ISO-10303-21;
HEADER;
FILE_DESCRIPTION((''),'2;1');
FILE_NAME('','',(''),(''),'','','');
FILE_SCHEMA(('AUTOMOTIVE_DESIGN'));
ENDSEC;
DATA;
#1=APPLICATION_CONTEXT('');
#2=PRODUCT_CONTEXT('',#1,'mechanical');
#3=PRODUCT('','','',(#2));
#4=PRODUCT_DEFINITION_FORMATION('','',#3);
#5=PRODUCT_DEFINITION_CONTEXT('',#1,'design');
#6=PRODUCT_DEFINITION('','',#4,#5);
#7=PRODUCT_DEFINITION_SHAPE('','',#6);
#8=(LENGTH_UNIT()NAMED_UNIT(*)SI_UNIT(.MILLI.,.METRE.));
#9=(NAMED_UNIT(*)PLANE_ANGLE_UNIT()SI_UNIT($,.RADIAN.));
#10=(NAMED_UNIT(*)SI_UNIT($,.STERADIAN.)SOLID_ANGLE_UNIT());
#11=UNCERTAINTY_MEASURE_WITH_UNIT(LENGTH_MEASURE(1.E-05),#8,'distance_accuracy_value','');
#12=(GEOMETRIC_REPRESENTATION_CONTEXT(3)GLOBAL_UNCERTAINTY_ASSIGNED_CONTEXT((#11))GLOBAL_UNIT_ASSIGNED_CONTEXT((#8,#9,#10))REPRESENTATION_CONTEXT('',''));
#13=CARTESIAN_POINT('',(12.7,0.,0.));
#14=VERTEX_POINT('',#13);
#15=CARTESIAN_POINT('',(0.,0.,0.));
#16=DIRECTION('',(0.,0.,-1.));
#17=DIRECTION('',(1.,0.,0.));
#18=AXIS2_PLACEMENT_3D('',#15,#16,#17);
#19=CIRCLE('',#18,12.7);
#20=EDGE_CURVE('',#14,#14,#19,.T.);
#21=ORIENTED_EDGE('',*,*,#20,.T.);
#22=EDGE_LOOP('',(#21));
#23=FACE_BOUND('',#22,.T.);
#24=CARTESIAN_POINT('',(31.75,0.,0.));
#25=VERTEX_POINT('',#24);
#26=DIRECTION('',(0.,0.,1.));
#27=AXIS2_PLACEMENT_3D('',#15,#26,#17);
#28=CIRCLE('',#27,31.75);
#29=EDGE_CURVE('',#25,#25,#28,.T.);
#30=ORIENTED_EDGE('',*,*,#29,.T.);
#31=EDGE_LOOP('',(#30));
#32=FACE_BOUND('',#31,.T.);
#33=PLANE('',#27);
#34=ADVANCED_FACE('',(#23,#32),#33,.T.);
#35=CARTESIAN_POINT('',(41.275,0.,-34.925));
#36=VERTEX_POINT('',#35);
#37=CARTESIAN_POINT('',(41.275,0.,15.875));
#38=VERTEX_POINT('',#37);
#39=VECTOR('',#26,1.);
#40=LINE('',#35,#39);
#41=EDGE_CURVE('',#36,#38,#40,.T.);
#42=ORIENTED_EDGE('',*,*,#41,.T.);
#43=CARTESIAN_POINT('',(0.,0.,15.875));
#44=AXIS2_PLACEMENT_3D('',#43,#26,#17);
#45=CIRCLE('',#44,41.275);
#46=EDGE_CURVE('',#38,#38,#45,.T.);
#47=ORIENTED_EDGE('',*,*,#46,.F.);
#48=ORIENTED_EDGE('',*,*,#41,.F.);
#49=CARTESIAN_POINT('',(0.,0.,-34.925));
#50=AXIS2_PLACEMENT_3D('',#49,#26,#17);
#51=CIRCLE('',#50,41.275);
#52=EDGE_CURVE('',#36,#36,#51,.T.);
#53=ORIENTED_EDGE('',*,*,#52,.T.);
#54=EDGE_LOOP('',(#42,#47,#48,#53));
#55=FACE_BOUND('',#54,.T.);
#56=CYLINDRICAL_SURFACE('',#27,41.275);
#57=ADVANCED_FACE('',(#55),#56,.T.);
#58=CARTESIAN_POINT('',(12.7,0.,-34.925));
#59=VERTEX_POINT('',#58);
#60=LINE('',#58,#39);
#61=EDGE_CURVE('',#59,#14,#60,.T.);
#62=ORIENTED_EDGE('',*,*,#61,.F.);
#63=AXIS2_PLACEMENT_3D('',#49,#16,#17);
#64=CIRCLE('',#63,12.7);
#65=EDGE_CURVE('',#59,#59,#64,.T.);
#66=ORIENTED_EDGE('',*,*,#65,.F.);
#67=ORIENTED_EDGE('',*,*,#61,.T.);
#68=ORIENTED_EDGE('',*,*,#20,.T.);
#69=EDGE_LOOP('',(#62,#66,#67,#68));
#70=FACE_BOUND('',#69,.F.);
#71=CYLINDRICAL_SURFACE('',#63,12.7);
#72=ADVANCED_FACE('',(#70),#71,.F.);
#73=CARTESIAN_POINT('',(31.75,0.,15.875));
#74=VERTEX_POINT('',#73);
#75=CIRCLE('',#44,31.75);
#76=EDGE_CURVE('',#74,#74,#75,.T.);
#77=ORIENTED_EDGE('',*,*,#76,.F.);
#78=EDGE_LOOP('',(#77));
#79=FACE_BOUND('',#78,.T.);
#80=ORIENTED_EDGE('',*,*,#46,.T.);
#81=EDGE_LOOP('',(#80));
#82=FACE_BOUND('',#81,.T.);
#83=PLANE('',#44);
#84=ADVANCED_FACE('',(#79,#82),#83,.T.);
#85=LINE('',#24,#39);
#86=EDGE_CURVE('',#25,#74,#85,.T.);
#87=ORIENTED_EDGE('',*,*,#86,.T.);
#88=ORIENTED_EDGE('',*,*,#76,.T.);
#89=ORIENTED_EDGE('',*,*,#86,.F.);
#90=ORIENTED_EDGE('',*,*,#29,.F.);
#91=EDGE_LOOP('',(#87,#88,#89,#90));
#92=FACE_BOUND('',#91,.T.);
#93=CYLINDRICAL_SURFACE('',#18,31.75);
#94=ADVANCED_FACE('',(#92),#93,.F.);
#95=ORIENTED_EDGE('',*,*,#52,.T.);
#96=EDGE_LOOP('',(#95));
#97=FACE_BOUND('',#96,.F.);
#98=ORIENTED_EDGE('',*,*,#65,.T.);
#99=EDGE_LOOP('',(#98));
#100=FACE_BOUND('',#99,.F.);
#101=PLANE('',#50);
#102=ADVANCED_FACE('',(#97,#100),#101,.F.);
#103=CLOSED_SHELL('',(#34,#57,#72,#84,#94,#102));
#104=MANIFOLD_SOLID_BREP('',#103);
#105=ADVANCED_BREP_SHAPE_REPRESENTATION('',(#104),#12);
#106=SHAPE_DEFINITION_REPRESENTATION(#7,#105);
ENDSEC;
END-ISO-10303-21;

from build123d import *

# Parameters (mm, degrees)
F0_R     = 41.275
F0_R_2   = 31.75
F1_DEPTH = 15.875
F2_R     = 41.275
F3_DEPTH = 34.925
F4_R     = 12.7
F5_DEPTH = 50.8


with BuildPart() as f1:
    # F0 (on Top) → F1 (new body)
    with BuildSketch(Plane.XY):
        Circle(F0_R)
        Circle(F0_R_2, mode=Mode.SUBTRACT)
    extrude(amount=F1_DEPTH)

    # F2 (on face) → F3 (join)
    with BuildSketch(Plane.XY):
        Circle(F2_R)
    extrude(amount=-F3_DEPTH)

    # F4 (on face) → F5 (cut)
    with BuildSketch(Plane(origin=(0, 0, -34.925), x_dir=(1, 0, 0), z_dir=(0, 0, -1))):
        Circle(F4_R)
    extrude(amount=-F5_DEPTH, mode=Mode.SUBTRACT)


solid = f1.part
